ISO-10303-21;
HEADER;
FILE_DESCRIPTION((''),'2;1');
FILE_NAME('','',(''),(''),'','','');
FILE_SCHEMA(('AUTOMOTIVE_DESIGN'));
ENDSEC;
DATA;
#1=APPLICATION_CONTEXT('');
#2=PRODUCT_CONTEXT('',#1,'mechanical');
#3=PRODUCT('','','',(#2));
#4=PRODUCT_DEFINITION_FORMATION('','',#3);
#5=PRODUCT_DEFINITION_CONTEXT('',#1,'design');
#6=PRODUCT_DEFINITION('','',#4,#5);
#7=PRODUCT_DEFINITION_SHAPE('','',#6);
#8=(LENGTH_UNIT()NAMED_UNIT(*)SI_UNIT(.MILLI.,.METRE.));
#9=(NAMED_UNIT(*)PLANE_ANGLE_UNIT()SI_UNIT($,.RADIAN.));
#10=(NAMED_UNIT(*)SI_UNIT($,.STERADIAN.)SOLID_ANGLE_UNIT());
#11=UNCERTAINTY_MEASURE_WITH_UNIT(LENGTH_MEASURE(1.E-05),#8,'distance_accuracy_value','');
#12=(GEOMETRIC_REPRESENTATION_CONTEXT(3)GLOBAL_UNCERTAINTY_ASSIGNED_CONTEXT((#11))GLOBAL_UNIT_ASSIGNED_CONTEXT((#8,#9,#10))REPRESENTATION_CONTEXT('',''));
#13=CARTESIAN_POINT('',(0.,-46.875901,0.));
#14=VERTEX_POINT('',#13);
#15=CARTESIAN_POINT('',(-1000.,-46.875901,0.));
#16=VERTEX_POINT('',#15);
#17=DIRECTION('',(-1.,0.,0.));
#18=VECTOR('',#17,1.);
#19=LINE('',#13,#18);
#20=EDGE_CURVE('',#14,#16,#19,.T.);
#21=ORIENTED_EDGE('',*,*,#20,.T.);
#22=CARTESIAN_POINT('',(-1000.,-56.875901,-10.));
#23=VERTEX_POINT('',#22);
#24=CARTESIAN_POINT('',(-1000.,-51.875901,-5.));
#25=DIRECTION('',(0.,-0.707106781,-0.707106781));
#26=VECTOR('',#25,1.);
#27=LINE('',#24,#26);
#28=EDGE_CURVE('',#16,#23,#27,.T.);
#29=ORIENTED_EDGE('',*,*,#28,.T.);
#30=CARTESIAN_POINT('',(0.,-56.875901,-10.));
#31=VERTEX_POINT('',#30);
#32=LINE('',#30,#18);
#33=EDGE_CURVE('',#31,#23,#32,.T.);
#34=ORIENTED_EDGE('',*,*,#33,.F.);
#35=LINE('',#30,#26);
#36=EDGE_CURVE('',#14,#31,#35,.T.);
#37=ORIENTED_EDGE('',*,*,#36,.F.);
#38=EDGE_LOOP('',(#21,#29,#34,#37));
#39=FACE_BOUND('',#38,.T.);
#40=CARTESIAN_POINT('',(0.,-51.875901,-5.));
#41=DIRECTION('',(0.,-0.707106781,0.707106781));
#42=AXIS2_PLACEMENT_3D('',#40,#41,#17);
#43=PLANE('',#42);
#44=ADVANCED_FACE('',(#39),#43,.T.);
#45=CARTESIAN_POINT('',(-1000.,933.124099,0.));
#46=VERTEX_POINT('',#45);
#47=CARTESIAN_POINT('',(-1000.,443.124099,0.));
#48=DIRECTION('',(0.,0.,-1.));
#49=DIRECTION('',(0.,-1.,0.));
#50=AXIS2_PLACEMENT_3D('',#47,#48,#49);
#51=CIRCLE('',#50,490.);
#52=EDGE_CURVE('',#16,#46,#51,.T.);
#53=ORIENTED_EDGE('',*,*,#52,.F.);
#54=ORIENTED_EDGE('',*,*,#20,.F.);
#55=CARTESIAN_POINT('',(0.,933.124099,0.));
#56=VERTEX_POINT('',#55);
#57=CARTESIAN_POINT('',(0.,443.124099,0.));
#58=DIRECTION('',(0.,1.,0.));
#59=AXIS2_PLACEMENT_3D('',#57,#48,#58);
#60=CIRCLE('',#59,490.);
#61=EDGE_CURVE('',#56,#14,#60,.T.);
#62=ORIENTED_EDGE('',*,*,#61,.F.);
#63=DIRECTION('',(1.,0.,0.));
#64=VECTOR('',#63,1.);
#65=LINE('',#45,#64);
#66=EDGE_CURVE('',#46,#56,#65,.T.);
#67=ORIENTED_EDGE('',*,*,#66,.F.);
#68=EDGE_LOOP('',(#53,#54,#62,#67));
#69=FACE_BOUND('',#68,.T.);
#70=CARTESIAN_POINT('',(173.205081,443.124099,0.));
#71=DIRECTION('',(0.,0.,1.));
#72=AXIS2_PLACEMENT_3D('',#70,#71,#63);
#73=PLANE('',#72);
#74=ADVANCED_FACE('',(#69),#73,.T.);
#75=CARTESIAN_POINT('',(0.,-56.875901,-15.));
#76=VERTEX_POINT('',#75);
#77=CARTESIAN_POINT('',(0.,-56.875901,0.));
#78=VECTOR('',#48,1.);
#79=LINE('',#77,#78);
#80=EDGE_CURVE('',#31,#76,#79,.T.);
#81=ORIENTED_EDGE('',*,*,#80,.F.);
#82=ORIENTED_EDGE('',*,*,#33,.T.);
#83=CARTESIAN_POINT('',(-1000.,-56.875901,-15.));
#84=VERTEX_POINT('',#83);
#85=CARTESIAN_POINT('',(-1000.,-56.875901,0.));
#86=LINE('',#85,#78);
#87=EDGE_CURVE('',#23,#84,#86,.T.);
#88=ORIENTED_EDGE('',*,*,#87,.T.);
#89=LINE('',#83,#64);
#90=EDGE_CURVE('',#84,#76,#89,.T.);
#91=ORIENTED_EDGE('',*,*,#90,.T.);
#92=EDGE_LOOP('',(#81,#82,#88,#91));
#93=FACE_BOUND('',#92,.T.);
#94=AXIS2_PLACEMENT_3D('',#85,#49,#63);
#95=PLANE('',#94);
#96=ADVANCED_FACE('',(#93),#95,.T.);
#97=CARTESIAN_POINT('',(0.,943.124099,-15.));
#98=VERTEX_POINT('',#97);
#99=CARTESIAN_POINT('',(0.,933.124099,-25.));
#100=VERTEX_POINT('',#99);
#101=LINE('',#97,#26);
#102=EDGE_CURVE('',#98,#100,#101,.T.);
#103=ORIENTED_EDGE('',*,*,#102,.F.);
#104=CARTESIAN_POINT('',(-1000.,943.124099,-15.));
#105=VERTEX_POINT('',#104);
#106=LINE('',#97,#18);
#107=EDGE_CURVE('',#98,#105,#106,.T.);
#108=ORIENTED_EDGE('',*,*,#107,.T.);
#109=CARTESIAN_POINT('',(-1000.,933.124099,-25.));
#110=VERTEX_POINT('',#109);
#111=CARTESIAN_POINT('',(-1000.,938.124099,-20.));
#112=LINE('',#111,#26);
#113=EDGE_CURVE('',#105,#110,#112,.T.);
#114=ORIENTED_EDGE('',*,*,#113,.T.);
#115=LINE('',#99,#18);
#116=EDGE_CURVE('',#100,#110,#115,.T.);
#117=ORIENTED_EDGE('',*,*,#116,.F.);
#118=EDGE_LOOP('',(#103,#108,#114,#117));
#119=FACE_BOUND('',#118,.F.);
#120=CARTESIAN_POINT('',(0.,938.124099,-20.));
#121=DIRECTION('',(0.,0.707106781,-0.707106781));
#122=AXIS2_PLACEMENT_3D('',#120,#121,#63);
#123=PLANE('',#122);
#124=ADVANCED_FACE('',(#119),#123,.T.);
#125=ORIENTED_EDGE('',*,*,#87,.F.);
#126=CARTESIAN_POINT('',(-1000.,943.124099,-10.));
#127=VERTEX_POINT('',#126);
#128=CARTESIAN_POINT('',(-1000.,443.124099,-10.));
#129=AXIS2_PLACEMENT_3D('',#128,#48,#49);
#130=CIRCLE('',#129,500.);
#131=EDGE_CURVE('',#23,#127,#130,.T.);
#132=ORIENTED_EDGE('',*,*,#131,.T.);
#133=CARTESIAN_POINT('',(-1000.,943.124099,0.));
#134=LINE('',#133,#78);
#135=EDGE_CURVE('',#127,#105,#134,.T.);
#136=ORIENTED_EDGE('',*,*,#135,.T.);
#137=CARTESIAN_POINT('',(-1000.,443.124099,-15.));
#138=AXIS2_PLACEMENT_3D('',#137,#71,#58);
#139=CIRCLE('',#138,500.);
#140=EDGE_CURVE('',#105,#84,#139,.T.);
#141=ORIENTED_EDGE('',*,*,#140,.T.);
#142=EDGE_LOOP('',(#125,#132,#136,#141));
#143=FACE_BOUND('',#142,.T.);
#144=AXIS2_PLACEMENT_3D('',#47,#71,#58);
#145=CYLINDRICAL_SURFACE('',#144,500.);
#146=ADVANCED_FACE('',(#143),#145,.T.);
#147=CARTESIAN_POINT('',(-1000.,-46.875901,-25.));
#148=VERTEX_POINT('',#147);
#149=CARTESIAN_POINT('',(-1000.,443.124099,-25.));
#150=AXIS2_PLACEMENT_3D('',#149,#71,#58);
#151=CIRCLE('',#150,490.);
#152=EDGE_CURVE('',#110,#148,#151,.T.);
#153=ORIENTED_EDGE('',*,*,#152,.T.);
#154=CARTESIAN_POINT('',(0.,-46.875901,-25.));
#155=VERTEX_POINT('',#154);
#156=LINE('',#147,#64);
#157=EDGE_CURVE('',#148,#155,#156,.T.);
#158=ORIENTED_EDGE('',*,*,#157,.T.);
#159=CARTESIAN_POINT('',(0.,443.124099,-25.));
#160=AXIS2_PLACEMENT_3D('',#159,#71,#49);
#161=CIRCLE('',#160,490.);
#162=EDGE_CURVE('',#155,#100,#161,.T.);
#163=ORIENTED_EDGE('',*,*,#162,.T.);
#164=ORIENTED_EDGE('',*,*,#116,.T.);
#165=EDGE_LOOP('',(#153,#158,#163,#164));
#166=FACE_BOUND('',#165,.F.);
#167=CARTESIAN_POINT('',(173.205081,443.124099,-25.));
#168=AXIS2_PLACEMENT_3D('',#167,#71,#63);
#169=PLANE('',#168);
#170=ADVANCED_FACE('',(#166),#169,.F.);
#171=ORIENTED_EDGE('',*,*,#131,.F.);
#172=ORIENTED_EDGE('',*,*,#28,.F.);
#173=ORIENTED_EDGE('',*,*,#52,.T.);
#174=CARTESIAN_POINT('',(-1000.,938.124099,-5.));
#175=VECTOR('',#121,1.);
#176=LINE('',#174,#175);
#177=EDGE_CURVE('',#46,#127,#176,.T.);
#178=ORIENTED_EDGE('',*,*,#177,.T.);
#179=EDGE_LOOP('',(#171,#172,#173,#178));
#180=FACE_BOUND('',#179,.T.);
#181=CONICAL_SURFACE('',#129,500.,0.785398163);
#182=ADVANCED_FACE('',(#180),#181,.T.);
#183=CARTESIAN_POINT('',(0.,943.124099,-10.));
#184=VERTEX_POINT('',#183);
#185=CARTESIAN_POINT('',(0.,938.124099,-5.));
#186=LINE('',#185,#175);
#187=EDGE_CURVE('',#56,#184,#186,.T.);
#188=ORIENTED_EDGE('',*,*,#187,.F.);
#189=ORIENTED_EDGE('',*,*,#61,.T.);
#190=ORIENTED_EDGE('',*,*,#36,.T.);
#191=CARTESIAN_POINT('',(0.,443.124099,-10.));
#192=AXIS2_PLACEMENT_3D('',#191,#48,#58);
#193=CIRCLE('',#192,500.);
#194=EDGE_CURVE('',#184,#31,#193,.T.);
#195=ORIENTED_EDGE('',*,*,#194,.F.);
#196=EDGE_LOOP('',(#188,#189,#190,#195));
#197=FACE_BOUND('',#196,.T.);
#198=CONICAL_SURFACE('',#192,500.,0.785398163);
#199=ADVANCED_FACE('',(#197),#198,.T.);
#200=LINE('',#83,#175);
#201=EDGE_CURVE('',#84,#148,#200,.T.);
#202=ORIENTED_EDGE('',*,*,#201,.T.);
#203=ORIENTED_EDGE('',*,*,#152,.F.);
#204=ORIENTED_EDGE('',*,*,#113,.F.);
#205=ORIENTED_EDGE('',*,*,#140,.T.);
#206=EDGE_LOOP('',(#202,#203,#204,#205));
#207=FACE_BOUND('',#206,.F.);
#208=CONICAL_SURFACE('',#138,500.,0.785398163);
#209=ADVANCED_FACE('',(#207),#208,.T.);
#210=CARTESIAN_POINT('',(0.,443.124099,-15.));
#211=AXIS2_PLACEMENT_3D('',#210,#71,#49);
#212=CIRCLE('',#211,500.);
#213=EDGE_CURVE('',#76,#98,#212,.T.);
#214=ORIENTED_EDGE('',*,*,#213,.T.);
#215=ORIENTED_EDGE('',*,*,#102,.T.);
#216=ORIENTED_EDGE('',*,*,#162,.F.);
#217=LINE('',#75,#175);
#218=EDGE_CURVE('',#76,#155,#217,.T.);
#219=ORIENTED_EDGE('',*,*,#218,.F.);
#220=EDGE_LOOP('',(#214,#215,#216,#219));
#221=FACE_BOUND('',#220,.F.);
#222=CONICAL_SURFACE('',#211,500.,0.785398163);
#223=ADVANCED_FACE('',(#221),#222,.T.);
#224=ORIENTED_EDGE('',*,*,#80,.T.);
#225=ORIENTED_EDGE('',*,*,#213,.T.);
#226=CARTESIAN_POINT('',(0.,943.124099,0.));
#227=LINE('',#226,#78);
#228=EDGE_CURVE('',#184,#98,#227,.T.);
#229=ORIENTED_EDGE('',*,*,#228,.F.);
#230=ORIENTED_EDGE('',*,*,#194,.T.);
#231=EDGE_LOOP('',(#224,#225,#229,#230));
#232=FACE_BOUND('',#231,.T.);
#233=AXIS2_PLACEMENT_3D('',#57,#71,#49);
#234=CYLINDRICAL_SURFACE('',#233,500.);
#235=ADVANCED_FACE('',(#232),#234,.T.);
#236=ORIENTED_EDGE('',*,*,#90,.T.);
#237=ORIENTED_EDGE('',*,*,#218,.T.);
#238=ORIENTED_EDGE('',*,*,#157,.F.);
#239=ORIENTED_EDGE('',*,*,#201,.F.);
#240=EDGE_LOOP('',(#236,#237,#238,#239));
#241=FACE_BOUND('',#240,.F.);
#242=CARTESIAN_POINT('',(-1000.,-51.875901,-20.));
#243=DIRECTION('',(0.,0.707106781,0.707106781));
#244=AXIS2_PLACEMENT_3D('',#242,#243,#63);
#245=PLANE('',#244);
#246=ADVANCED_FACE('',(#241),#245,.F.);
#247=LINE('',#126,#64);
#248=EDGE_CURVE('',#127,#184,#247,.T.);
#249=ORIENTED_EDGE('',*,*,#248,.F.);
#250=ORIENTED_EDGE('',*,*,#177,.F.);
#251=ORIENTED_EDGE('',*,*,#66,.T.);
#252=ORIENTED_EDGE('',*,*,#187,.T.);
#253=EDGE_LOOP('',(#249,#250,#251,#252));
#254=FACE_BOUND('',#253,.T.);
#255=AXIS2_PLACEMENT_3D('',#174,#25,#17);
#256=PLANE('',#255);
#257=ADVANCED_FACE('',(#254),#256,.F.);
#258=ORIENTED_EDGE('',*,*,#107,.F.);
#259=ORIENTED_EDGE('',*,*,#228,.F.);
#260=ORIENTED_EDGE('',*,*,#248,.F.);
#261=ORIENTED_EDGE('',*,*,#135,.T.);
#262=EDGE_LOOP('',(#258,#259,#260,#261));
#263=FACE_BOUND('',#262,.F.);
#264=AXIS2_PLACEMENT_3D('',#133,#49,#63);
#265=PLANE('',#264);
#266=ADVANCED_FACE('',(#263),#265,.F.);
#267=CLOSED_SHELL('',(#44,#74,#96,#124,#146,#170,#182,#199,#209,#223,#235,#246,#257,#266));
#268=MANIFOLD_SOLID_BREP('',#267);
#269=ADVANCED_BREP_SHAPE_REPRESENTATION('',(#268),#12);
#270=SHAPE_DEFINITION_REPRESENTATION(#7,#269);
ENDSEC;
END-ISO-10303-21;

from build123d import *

# Parameters (mm, degrees)
F0_W     = 1000
F0_H     = 1000
F1_DEPTH = 25
F2_SIZE  = 10
F3_SIZE  = 10


with BuildPart() as f1:
    # F0 (on Top) → F1 (new body)
    with BuildSketch(Plane.XY):
        with BuildLine():
            Line((0, 943.124099), (0, -56.875901))
            ThreePointArc((0, -56.875901), (500, 443.124099), (0, 943.124099))
        make_face()
        with Locations((-500, 443.124099)):
            Rectangle(F0_W, F0_H)
        with BuildLine():
            ThreePointArc((-1000, 943.124099), (-1500, 443.124099), (-1000, -56.875901))
            Line((-1000, -56.875901), (-1000, 943.124099))
        make_face()
    extrude(amount=-F1_DEPTH)

    # F2
    f2_edges = [f1.edges().sort_by_distance(p)[0] for p in [
        (500, 443.124099, -25),
        (-500, 943.124099, -25),
        (-1500, 443.124099, -25),
        (-500, -56.875901, -25),
    ]]
    chamfer(f2_edges, length=F2_SIZE)

    # F3
    f3_edges = [f1.edges().sort_by_distance(p)[0] for p in [
        (-500, 943.124099, 0),
    ]]
    chamfer(f3_edges, length=F3_SIZE)


solid = f1.part
